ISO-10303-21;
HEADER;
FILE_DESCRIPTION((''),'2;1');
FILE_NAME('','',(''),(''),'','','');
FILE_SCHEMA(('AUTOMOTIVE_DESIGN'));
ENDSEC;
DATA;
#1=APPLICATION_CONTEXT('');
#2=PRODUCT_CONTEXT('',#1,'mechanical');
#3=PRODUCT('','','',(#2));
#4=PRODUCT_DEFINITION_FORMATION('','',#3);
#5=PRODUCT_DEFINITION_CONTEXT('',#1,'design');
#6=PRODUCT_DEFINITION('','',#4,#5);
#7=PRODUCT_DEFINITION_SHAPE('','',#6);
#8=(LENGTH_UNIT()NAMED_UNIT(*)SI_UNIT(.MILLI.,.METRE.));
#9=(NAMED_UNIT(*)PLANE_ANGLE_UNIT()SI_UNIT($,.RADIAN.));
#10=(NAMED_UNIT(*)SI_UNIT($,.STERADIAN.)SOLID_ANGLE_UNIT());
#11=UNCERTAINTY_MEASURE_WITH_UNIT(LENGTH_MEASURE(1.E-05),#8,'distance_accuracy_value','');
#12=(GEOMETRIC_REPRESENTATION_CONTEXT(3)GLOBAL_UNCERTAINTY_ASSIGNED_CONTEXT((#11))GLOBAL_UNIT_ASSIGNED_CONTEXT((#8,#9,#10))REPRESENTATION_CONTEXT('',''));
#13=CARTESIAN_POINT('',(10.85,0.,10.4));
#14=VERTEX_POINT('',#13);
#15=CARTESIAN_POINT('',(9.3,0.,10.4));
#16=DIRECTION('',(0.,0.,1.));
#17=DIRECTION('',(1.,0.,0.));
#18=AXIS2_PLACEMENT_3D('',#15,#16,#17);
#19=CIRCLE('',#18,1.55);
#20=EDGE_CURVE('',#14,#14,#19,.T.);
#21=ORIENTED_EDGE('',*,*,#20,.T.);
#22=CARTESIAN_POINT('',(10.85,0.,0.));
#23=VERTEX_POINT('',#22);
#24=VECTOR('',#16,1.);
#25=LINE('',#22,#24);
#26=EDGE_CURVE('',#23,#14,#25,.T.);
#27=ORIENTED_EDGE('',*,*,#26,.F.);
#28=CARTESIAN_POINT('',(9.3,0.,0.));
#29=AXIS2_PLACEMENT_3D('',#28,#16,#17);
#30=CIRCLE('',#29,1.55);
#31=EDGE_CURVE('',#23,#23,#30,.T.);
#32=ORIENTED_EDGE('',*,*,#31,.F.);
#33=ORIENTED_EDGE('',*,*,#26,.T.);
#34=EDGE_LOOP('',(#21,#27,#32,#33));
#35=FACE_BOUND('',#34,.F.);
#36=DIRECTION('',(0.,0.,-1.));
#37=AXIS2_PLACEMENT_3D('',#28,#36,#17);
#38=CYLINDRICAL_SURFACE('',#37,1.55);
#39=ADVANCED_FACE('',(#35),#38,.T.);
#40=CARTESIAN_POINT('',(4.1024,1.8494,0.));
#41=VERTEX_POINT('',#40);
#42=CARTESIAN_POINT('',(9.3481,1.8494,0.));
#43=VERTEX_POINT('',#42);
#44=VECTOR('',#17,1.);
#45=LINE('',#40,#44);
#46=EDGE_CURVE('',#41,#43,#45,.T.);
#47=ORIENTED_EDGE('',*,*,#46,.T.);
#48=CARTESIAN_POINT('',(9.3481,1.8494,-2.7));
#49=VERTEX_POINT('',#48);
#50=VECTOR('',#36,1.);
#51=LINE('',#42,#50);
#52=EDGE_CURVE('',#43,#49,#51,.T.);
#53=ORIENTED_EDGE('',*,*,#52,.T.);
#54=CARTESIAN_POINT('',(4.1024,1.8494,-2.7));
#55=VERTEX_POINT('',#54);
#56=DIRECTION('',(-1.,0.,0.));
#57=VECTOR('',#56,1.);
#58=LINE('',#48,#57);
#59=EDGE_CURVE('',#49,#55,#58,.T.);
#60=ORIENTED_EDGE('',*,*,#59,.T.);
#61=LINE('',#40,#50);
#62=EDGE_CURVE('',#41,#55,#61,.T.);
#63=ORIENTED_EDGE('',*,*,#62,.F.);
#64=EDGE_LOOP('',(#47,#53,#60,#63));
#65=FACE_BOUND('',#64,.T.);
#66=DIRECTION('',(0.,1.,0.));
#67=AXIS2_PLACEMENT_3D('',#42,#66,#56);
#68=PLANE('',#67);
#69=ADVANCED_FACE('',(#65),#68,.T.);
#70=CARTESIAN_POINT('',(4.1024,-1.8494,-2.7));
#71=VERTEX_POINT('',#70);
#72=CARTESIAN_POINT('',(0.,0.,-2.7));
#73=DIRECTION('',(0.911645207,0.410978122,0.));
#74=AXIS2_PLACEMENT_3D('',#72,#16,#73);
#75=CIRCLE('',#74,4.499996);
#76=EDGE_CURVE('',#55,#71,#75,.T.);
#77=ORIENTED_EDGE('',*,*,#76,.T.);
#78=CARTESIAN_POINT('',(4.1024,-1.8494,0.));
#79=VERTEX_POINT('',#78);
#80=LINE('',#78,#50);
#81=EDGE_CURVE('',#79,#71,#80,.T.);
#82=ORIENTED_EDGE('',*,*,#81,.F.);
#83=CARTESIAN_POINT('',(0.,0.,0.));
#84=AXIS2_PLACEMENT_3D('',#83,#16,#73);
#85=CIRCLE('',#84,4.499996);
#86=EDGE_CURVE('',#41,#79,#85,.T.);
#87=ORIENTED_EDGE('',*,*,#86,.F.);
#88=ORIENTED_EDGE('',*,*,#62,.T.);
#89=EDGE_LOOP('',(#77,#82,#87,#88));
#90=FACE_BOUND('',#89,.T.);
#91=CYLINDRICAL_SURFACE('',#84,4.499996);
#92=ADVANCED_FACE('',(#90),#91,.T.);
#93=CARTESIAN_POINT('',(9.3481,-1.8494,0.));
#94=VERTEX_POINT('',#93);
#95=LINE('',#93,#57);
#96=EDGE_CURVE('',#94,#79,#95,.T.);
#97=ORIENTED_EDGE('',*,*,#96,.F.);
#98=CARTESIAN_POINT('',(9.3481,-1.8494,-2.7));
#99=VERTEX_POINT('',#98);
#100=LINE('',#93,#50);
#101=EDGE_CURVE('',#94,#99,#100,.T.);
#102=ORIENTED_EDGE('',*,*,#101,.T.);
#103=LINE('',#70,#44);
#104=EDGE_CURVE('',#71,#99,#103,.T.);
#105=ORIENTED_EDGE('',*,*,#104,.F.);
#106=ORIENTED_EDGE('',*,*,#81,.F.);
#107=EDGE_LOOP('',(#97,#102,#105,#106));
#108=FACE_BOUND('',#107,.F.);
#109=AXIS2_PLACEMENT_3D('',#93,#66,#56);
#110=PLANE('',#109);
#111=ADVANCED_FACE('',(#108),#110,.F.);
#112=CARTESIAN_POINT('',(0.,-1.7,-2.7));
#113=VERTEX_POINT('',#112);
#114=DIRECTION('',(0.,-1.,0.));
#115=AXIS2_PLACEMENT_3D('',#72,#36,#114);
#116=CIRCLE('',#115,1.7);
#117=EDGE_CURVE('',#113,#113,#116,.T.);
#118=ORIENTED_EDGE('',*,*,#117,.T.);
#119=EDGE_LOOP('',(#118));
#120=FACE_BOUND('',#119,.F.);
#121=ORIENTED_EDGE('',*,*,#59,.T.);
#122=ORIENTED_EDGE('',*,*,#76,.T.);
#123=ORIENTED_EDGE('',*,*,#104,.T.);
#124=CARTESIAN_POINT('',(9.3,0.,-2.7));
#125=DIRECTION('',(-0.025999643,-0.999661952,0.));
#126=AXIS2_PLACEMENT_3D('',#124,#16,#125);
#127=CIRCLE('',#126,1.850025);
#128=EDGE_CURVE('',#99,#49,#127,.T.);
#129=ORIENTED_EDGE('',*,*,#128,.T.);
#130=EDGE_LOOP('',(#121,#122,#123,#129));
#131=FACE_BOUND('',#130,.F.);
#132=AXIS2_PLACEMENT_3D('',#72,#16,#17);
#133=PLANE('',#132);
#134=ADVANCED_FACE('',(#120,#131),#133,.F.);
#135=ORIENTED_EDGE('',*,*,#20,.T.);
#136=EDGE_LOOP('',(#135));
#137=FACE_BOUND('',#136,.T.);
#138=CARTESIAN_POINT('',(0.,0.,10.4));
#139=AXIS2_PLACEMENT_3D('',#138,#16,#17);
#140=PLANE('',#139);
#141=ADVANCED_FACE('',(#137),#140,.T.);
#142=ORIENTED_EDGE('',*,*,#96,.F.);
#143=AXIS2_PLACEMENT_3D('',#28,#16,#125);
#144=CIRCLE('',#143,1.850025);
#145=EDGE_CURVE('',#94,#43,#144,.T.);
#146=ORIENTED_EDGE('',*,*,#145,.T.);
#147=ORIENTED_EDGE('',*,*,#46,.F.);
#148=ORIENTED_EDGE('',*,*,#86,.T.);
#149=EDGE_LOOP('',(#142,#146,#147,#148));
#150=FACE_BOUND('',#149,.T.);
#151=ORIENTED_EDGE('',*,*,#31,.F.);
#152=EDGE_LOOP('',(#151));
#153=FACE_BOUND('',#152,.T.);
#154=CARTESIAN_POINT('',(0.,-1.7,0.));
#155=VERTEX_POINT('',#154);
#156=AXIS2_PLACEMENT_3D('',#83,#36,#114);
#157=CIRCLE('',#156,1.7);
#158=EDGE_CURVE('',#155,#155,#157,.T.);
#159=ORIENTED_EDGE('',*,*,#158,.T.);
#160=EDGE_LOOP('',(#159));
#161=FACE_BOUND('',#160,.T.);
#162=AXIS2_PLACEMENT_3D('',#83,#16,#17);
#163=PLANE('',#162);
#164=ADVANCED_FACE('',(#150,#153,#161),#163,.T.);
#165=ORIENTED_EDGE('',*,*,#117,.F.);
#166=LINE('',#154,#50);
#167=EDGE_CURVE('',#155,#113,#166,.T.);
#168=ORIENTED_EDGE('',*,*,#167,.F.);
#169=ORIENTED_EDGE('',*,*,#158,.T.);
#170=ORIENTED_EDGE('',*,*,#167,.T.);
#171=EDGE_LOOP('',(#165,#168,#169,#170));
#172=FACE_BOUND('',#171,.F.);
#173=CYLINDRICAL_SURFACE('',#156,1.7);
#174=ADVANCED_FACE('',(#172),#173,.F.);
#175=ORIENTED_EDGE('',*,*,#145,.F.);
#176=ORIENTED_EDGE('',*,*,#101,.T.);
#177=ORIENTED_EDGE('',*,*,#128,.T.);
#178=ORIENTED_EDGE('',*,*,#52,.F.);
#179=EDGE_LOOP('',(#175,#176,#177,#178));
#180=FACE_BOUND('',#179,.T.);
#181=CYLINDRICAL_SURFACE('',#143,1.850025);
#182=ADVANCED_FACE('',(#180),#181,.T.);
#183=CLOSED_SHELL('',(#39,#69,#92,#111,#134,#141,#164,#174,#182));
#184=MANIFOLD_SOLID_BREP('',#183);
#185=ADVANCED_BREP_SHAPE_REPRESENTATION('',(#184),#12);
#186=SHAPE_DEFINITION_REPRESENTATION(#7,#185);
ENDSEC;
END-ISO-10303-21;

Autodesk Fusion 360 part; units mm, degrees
sketch "Sketch5" plane through (0, 0, 0) normal (0, 0, 1) x (1, 0, 0)
  line L0 (9.3481, 1.8494) -> (4.1024, 1.8494)
  line L1 (9.3481, -1.8494) -> (4.1024, -1.8494)
  arc A0 (9.2519, -1.8494) -> (9.2519, 1.8494) centre (9.3, 0) ccw
  arc A1 (4.1024, 1.8494) -> (4.1024, -1.8494) centre (0, 0) ccw
  dimension "d23" = 9
  dimension "d24" = 3.7
  dimension "d25" = 9.3
sketch "Sketch6" plane through (0, 0, 0) normal (0, 0, 1) x (1, 0, 0)
  circle A0 centre (0, 0) radius 1.7
  dimension "d26" = 3.4
extrude "Extrude6" add sketch "Sketch5" against normal blind 2.7
hole "Hole2" at (0, 0, 0) direction (0, 0, -1) diameter 3.4 depth 2.7 tip angle 118
sketch "Sketch7" plane through (0, 0, 0) normal (0, 0, 1) x (1, 0, 0)
  circle A0 centre (9.3, 0) radius 1.55
  dimension "d32" = 3.1
  dimension "d33" = 9.3
extrude "Extrude7" add sketch "Sketch7" along normal blind 10.4
sketch "Sketch1" plane through (0, 0, 0) normal (0, 0, 1) x (1, 0, 0)
  circle A0 centre (0, 0) radius 10.7065
  dimension "d1" = 21.413
extrude "Extrude1" [suppressed]
sketch "Sketch2" plane through (0, 0, 0) normal (0, 0, 1) x (1, 0, 0)
  circle A0 centre (0, 0) radius 1.5
  dimension "d4" = 3
sketch "Sketch3" plane through (0, 0, 0) normal (0, 0, 1) x (1, 0, 0)
  circle A0 centre (0, 0) radius 1.5
  circle A1 centre (7.5, 0) radius 1.5
  dimension "d7" = 3
  dimension "d9" = 3
  dimension "d10" = 7.5
sketch "Sketch4" plane through (0, 0, 0) normal (0, 0, 1) x (1, 0, 0)
  circle A0 centre (0, 0) radius 1.5
  dimension "d8" = 3
extrude "Extrude3" [suppressed]
hole "Hole1" [suppressed]
extrude "Extrude4" [suppressed]
extrude "Extrude5" [suppressed]
split "Split1" [suppressed]
